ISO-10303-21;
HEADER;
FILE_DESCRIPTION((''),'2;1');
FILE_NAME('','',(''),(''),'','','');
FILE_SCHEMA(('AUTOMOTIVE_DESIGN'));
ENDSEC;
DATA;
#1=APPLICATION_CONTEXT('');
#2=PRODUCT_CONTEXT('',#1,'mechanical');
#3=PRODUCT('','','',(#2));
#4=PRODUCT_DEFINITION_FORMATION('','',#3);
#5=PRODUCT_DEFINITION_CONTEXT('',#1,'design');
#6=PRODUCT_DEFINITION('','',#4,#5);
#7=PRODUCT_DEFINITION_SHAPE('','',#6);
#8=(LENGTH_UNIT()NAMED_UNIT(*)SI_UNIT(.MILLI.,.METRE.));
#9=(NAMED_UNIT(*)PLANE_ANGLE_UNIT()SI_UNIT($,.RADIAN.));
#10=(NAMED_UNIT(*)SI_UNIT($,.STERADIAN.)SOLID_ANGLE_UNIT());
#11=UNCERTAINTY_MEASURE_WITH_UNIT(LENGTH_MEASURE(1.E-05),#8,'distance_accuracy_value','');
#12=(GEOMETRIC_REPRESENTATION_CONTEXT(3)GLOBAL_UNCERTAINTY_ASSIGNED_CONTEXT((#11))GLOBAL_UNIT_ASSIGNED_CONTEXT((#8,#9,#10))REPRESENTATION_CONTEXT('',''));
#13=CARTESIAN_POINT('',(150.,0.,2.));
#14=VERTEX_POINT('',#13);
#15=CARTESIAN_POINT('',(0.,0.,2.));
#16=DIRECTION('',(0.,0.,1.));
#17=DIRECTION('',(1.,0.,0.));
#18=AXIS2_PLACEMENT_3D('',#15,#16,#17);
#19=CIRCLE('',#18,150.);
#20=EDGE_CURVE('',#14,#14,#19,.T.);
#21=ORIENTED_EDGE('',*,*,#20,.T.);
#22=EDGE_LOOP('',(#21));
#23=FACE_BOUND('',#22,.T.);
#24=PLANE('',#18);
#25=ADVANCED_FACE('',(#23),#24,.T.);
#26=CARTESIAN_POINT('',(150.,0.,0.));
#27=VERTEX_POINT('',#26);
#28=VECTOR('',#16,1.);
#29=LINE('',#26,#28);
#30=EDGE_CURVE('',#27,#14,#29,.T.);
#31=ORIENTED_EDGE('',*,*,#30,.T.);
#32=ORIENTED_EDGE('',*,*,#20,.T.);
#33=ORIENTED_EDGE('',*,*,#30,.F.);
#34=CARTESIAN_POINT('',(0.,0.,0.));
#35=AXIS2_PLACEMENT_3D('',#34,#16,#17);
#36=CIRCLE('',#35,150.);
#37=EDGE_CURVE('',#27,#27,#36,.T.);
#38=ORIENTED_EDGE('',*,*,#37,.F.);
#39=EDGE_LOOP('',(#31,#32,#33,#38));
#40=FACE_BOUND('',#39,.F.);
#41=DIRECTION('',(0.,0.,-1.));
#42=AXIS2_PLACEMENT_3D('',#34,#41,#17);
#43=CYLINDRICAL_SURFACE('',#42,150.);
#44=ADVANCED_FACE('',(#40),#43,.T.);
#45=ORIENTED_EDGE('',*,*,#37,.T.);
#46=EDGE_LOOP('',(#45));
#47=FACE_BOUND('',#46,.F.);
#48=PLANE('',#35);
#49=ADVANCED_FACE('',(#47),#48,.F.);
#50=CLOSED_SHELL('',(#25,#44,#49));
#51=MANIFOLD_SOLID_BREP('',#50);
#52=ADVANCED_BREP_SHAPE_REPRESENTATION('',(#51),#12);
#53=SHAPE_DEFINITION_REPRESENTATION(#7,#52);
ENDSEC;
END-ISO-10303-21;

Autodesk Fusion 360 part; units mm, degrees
sketch "Esquisse3" plane through (0, 0, 0) normal (0, 0, 1) x (1, 0, 0)
  circle A0 centre (0, 0) radius 150
  dimension "d2" = 300
extrude "Extrusion1" add sketch "Esquisse3" along normal blind 2
